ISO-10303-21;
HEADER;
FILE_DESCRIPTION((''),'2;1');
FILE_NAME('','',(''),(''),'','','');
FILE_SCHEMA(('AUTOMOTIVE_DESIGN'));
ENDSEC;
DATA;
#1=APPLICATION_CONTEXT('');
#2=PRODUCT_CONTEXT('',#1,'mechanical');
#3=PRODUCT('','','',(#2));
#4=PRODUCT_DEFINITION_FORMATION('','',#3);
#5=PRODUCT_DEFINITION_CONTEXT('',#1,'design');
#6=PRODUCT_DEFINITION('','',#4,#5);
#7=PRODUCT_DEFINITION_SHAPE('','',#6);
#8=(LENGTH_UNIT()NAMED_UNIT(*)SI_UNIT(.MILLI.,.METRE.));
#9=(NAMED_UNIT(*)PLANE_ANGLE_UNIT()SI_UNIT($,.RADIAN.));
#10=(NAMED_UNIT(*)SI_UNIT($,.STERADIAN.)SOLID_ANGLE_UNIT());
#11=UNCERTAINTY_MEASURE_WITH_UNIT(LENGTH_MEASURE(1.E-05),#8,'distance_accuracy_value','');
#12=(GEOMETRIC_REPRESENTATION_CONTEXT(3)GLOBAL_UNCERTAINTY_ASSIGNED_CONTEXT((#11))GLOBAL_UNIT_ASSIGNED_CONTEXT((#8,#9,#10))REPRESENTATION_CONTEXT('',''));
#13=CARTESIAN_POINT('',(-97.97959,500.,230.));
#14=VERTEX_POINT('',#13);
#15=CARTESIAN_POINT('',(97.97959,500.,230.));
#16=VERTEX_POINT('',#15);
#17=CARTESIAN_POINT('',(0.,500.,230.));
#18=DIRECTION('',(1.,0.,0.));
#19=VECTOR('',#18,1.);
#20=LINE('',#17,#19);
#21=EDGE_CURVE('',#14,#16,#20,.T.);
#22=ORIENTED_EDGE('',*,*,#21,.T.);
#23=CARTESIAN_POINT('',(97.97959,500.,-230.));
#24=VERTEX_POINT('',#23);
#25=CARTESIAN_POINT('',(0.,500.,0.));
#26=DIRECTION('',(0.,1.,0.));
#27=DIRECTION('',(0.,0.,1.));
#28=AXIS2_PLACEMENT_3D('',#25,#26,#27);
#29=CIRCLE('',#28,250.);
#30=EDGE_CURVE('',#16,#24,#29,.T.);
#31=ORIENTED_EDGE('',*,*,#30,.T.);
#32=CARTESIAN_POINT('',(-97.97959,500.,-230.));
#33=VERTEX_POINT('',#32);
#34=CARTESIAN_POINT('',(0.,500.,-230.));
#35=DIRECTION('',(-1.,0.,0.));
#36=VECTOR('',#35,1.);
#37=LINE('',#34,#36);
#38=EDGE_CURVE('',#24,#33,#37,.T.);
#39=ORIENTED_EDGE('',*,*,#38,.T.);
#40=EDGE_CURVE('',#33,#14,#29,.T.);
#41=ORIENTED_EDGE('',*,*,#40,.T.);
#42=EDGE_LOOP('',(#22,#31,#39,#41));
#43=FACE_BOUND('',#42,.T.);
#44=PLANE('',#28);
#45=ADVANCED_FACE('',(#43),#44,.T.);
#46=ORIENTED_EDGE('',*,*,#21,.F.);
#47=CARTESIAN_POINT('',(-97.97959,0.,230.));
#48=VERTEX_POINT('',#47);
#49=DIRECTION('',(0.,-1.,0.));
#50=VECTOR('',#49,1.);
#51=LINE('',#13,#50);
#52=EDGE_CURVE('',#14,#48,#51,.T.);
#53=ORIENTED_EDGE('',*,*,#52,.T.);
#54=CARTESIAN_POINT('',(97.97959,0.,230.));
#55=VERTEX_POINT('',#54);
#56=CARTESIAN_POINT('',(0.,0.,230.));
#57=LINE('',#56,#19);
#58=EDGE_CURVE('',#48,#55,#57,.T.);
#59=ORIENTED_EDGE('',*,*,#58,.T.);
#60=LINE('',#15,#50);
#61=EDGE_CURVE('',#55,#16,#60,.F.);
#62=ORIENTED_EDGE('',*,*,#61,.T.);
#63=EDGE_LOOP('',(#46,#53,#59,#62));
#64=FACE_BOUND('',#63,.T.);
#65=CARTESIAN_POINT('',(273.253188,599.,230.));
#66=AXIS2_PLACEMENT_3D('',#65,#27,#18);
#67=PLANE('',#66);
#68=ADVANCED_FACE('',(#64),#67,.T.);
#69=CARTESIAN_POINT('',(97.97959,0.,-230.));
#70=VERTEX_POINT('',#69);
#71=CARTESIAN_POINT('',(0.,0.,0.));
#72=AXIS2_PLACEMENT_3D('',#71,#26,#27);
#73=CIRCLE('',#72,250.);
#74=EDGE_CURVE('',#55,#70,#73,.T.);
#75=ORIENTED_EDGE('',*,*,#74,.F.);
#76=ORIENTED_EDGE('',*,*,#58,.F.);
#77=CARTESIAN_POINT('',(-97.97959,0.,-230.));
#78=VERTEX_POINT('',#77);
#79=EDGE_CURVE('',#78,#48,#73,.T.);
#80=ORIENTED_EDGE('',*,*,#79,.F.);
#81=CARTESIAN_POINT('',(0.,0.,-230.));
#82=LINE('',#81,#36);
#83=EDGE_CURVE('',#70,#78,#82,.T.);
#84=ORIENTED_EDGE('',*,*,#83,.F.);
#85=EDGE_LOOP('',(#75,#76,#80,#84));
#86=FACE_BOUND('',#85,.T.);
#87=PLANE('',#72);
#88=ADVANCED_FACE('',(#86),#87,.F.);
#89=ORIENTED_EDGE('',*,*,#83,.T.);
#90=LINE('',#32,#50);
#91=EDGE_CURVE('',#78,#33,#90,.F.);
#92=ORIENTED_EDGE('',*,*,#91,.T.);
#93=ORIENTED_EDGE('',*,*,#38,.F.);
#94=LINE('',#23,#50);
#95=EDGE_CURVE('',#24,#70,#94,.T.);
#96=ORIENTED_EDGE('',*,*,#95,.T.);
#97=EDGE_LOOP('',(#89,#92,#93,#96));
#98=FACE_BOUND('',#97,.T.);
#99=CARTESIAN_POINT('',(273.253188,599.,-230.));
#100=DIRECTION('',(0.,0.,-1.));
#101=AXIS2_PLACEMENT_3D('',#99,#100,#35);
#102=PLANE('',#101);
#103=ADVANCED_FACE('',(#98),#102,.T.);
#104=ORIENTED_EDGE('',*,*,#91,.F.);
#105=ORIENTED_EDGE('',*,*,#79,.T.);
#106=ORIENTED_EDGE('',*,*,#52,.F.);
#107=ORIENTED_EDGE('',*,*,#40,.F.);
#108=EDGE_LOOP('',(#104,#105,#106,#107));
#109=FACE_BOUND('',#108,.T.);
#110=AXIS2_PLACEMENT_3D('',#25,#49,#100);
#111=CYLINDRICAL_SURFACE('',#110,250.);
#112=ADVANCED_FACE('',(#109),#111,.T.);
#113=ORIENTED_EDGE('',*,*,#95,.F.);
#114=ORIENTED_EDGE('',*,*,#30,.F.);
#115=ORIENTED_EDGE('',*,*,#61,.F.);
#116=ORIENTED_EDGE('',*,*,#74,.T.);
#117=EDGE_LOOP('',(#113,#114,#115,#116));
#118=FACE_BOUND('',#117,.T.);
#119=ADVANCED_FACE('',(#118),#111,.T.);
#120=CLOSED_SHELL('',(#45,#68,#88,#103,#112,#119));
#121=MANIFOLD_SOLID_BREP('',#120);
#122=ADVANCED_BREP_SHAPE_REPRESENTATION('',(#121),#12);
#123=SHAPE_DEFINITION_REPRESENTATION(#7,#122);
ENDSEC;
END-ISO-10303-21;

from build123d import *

# Parameters (mm, degrees)
SKETCH_1_R           = 250
EXTRUDE_1_DEPTH      = 500
SKETCH_2_OUTSIDE_W   = 675.206
SKETCH_2_OUTSIDE_H   = 675.206
SKETCH_2_OUTSIDE_W_2 = 546.506375228
SKETCH_2_OUTSIDE_H_2 = 460
CUT_EXTRUDE_1_DEPTH  = 599


with BuildPart() as part:
    # 草图1 → 凸台-拉伸1 (new body)
    with BuildSketch(Plane(origin=(0, 0, 0), x_dir=(1, 0, 0), z_dir=(0, 1, 0))):
        with Locations(Location((0, 0, 0), (0, 0, 270))):
            Circle(SKETCH_1_R)
    extrude(amount=EXTRUDE_1_DEPTH)

    # 草图2 outside → 切除-拉伸1 (cut)
    with BuildSketch(Plane.XZ):
        Rectangle(SKETCH_2_OUTSIDE_W, SKETCH_2_OUTSIDE_H)
        Rectangle(SKETCH_2_OUTSIDE_W_2, SKETCH_2_OUTSIDE_H_2, mode=Mode.SUBTRACT)
    extrude(amount=-CUT_EXTRUDE_1_DEPTH, mode=Mode.SUBTRACT)


solid = part.part
